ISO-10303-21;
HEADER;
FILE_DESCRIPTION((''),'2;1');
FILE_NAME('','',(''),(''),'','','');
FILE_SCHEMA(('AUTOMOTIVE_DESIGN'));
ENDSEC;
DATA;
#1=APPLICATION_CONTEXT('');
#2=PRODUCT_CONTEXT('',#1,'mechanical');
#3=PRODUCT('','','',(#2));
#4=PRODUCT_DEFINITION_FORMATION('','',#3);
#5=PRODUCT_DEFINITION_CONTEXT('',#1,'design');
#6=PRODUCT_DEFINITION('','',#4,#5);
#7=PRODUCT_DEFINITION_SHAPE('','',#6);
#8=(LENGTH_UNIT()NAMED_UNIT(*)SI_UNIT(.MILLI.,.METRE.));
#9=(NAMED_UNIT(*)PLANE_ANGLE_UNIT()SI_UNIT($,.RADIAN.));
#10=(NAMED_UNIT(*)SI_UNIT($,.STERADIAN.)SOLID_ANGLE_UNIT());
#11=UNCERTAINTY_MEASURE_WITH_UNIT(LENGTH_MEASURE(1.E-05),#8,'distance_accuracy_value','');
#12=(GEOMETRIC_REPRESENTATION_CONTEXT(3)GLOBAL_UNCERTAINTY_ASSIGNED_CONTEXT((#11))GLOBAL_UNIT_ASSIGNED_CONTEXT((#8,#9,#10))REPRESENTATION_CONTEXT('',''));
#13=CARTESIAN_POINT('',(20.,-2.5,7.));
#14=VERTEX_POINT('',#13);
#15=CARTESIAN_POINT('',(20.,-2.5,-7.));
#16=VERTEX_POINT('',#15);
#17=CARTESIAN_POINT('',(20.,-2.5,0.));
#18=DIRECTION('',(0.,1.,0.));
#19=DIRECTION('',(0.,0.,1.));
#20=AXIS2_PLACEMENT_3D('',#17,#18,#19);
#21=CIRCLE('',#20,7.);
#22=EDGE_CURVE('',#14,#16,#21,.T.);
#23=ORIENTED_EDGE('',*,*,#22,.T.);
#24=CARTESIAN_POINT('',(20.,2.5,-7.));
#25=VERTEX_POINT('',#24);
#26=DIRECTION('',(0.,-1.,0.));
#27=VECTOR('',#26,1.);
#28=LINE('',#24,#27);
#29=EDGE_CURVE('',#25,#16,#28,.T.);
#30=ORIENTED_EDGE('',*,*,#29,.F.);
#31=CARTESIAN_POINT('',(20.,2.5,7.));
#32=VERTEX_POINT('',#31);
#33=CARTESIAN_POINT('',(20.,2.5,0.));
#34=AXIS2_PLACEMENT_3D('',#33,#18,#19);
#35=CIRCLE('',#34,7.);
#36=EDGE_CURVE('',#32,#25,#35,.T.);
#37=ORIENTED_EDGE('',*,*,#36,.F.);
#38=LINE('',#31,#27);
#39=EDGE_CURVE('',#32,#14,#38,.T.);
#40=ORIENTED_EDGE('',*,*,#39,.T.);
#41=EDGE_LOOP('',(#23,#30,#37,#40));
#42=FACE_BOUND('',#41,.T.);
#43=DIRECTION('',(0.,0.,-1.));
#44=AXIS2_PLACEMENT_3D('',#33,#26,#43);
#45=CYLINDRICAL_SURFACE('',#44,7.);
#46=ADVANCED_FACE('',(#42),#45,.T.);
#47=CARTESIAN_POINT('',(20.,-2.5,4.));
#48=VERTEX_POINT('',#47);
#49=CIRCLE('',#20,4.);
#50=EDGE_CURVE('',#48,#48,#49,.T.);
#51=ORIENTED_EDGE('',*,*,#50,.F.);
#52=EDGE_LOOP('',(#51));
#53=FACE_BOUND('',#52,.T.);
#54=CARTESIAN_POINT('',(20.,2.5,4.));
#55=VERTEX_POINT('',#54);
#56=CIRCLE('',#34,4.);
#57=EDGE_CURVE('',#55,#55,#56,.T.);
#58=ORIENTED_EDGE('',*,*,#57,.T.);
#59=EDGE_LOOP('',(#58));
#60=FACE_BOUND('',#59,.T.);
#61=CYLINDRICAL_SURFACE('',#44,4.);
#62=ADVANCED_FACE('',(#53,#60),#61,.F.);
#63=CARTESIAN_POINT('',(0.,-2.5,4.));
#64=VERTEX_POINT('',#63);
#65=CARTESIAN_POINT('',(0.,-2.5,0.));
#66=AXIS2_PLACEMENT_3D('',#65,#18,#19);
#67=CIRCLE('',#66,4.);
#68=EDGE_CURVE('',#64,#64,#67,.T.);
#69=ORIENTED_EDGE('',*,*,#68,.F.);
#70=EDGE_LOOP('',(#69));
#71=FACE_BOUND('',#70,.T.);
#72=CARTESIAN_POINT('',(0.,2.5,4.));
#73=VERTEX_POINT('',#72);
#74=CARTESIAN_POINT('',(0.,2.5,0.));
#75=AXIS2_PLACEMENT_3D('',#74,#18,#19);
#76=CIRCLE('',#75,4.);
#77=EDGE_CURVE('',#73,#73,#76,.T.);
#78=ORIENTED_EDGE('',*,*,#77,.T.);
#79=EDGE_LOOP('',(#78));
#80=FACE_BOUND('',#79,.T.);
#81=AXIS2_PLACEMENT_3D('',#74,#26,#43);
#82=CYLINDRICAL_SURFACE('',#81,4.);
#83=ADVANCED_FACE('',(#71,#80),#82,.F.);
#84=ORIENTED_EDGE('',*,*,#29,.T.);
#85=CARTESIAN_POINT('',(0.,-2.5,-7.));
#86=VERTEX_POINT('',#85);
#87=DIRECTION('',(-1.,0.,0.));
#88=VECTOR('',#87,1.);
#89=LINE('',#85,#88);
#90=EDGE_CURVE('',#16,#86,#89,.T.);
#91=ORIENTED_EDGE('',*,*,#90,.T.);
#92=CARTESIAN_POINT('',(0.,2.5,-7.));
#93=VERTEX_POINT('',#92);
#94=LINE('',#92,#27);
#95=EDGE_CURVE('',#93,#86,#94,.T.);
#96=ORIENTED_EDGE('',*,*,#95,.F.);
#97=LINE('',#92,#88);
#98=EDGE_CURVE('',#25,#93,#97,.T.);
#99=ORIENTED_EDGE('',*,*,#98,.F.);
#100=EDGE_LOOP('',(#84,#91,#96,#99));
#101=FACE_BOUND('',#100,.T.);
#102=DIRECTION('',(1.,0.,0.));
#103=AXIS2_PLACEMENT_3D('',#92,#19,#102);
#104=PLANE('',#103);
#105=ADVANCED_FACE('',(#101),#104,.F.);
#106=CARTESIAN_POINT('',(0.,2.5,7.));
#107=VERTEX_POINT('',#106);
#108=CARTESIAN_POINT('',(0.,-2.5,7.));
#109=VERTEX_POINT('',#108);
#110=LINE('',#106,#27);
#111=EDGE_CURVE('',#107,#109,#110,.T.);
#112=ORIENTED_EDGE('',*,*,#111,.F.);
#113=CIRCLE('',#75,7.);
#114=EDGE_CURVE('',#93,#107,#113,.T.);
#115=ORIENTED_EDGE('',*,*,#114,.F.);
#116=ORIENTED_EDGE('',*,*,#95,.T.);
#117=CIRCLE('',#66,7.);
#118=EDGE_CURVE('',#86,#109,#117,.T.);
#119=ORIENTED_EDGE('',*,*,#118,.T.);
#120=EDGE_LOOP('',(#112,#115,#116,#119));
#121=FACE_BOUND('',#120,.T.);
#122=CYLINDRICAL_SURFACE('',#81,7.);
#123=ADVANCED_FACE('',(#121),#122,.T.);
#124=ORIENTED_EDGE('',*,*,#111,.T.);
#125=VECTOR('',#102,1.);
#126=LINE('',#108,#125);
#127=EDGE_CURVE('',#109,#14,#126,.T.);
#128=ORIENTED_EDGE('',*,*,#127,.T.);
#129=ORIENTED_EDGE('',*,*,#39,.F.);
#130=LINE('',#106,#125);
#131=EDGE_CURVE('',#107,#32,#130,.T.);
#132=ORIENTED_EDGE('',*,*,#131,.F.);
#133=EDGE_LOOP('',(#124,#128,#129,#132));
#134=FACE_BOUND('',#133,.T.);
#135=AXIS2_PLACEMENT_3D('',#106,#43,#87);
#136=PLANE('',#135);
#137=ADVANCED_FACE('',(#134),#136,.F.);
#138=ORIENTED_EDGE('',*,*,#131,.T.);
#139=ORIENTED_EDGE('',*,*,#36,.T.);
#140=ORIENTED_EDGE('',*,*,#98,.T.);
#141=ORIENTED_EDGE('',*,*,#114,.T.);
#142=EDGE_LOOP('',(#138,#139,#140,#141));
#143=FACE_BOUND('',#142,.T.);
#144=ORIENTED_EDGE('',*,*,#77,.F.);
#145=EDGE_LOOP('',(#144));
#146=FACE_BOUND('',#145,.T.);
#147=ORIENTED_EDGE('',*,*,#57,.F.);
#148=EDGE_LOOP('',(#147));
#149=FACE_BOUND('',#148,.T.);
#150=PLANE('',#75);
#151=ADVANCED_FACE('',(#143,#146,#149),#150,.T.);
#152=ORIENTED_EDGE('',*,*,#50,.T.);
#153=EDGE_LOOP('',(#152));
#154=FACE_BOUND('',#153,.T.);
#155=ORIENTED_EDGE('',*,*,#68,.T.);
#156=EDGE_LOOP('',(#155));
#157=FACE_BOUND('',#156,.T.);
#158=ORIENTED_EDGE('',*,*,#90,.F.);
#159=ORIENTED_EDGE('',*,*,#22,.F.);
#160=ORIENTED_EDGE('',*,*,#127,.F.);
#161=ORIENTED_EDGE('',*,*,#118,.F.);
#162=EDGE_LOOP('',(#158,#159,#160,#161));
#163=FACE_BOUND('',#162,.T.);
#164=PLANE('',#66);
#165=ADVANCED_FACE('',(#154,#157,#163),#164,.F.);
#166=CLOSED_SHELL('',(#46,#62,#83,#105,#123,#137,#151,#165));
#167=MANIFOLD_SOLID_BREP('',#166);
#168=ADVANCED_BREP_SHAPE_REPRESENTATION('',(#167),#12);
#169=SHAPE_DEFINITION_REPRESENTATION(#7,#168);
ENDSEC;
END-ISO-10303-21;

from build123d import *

# Parameters (mm, degrees)
SKETCH1_R           = 4
BOSS_EXTRUDE1_DEPTH = 2.5


with BuildPart() as part:
    # Sketch1 → Boss-Extrude1 (new, symmetric)
    with BuildSketch(Plane(origin=(0, 0, 0), x_dir=(1, 0, 0), z_dir=(0, 1, 0))):
        with BuildLine():
            Line((0, 7), (20, 7))
            ThreePointArc((20, 7), (27, 0), (20, -7))
            Line((20, -7), (0, -7))
            ThreePointArc((0, -7), (-7, 0), (0, 7))
        make_face()
        with Locations(Location((0, 0, 0), (0, 0, 270))):
            Circle(SKETCH1_R, mode=Mode.SUBTRACT)
        with Locations(Location((20, 0, 0), (0, 0, 270))):
            Circle(SKETCH1_R, mode=Mode.SUBTRACT)
    extrude(amount=BOSS_EXTRUDE1_DEPTH, both=True)


solid = part.part
